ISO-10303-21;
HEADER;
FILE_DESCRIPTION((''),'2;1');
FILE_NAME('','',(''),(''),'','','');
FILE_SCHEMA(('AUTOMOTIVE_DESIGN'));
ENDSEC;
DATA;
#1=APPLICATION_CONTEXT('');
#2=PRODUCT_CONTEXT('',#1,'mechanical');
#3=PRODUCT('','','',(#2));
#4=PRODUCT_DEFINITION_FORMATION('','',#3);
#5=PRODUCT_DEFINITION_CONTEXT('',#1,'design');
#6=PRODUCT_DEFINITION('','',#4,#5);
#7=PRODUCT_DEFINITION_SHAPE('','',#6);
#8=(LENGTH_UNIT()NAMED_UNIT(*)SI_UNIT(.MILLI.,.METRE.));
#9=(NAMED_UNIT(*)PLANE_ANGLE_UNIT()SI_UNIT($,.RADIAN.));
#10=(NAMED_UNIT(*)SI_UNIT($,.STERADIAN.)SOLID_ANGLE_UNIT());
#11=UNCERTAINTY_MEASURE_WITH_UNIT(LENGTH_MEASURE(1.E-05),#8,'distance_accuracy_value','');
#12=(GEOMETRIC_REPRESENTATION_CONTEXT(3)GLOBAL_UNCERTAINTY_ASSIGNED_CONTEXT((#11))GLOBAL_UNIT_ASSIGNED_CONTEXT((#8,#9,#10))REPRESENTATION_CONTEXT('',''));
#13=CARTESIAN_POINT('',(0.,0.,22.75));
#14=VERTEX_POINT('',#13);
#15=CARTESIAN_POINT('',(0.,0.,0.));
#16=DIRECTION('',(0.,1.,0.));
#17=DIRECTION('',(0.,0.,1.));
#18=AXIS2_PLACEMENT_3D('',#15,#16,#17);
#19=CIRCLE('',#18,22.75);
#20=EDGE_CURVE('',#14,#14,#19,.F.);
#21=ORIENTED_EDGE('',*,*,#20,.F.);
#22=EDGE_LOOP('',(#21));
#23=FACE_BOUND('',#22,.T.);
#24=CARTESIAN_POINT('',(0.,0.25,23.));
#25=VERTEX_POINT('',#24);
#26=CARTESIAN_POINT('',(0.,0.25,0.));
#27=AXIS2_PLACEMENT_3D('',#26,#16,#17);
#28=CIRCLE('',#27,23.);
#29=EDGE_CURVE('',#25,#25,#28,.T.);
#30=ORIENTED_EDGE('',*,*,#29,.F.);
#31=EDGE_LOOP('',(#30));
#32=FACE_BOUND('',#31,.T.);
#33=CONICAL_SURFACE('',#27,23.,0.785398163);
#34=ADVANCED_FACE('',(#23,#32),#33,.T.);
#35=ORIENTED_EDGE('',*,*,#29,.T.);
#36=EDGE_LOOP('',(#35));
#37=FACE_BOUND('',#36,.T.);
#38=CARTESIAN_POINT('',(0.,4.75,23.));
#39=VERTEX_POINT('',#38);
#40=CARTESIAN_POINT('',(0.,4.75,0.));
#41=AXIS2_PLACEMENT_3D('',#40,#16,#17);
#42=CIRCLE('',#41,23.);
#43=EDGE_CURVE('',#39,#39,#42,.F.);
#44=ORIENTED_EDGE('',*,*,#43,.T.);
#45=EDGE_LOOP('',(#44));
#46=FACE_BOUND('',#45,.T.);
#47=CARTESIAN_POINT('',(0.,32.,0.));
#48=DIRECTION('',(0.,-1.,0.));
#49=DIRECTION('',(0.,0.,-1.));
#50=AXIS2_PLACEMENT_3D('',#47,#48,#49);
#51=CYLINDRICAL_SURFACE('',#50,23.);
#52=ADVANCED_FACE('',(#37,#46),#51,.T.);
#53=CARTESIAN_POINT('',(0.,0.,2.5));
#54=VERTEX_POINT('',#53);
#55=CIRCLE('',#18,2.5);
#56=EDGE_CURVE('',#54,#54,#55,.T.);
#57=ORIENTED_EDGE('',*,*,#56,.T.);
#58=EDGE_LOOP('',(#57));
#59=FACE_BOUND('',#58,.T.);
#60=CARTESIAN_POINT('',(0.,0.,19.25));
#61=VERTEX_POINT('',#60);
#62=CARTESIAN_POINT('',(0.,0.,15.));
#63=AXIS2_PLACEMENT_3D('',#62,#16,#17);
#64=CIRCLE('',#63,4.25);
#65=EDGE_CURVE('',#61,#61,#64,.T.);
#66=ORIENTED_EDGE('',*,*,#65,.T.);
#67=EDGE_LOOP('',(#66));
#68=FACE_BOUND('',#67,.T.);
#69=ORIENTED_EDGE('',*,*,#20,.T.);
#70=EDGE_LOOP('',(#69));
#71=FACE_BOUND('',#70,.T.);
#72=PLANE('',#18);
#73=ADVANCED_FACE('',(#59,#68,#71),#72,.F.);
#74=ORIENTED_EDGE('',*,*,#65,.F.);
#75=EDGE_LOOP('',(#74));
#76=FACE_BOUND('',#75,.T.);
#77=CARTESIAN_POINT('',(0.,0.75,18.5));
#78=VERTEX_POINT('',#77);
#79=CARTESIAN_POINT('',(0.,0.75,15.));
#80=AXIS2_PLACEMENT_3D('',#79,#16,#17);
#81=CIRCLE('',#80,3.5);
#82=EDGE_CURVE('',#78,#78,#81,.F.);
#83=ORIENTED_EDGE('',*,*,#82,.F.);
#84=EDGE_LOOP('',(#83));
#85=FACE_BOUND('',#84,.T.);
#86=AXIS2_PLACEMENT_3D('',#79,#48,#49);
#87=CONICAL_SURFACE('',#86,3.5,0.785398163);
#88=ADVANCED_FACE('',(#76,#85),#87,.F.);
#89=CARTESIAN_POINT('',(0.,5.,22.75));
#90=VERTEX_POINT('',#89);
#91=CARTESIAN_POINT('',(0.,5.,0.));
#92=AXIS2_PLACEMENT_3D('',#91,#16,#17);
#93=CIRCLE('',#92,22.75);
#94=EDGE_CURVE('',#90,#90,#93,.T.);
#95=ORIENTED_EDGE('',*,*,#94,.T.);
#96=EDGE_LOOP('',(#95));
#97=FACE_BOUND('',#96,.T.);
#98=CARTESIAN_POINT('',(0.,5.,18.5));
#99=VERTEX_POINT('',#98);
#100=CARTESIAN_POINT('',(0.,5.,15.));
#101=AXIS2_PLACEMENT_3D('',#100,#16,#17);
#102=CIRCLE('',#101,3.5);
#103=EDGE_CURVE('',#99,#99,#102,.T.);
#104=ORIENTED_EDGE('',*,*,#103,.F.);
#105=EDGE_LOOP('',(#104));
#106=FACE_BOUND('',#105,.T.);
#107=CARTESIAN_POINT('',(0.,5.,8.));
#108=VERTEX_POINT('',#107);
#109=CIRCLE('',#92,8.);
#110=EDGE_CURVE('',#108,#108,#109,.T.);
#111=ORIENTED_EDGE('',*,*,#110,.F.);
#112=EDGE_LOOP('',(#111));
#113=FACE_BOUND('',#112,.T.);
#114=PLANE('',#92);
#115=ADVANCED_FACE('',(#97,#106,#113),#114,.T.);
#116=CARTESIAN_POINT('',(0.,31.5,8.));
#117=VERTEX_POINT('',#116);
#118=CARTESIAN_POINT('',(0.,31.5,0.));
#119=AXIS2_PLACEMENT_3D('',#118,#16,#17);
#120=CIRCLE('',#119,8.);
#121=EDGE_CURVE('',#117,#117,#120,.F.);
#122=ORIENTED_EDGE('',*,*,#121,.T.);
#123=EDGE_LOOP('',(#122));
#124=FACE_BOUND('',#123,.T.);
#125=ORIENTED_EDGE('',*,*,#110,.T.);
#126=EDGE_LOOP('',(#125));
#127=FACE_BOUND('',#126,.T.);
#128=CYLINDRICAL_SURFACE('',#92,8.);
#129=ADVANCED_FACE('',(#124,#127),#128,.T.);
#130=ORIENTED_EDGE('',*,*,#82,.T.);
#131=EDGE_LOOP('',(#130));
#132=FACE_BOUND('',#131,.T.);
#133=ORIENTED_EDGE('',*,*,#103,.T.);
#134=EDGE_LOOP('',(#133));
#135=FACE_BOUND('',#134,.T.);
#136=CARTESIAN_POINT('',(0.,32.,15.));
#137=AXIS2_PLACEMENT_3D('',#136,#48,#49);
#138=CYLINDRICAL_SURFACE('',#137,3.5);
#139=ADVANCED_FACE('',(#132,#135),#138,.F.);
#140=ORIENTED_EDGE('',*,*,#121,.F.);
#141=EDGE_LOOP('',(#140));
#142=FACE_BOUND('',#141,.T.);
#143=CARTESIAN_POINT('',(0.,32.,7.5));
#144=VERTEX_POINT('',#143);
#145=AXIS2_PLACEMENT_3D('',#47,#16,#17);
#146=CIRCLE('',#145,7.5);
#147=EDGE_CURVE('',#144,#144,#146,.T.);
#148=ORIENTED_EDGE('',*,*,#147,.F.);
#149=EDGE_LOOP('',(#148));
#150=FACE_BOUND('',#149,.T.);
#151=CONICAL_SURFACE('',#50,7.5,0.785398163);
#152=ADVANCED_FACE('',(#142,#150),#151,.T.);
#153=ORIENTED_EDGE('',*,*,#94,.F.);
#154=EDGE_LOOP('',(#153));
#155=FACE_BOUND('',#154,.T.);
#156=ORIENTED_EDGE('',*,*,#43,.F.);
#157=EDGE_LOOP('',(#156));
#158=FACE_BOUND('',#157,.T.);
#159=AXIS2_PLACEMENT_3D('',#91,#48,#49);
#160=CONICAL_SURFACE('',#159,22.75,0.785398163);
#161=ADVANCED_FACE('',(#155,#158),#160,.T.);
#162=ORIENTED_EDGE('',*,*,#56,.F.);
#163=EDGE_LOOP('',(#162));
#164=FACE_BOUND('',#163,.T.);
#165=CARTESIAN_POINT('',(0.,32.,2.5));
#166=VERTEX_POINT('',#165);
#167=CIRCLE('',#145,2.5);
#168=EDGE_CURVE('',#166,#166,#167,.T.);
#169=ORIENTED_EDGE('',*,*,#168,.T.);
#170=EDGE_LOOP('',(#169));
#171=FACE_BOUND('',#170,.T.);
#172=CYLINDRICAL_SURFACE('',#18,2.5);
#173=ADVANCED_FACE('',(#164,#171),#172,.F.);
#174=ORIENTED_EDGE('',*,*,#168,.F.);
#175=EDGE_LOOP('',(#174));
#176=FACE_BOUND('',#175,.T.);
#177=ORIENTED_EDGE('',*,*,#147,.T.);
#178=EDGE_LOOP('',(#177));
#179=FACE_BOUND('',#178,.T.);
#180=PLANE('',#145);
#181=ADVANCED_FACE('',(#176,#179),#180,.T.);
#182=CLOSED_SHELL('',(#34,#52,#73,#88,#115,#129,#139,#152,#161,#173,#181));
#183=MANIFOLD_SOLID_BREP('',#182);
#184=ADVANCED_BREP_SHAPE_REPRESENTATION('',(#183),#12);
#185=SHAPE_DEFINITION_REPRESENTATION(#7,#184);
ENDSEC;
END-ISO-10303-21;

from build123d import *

# Parameters (mm, degrees)
SKETCH1_R           = 23
BOSS_EXTRUDE1_DEPTH = 32
SKETCH2_OUTSIDE_W   = 62.5
SKETCH2_OUTSIDE_H   = 62.5
SKETCH2_OUTSIDE_R   = 8
CUT_EXTRUDE1_DEPTH  = 27
SKETCH3_R           = 2.5
CUT_EXTRUDE2_DEPTH  = 46.628938186
CHAMFER1_SIZE       = 0.5
CHAMFER2_SIZE       = 0.25
SKETCH4_R           = 3.5
CUT_EXTRUDE3_DEPTH  = 46.628938186
CHAMFER3_SIZE       = 0.75


with BuildPart() as part:
    # Sketch1 → Boss-Extrude1 (new body)
    with BuildSketch(Plane(origin=(0, 0, 0), x_dir=(1, 0, 0), z_dir=(0, 1, 0))):
        with Locations(Location((0, 0, 0), (0, 0, 270))):
            Circle(SKETCH1_R)
    extrude(amount=BOSS_EXTRUDE1_DEPTH)

    # Sketch2 outside → Cut-Extrude1 (cut)
    with BuildSketch(Plane(origin=(0, 32, 0), x_dir=(1, 0, 0), z_dir=(0, 1, 0))):
        Rectangle(SKETCH2_OUTSIDE_W, SKETCH2_OUTSIDE_H)
        with Locations(Location((0, 0, 0), (0, 0, 270))):
            Circle(SKETCH2_OUTSIDE_R, mode=Mode.SUBTRACT)
    extrude(amount=-CUT_EXTRUDE1_DEPTH, mode=Mode.SUBTRACT)

    # Sketch3 → Cut-Extrude2 (cut, through all)
    with BuildSketch(Plane(origin=(0, 32, 0), x_dir=(1, 0, 0), z_dir=(0, 1, 0))):
        with Locations(Location((0, 0, 0), (0, 0, 270))):
            Circle(SKETCH3_R)
    extrude(amount=-CUT_EXTRUDE2_DEPTH, mode=Mode.SUBTRACT)

    # Chamfer1
    chamfer1_edges = [part.edges().sort_by_distance(p)[0] for p in [
        (0, 32, -8),
    ]]
    chamfer(chamfer1_edges, length=CHAMFER1_SIZE)

    # Chamfer2
    chamfer2_edges = [part.edges().sort_by_distance(p)[0] for p in [
        (0, 0, -23),
        (0, 5, -23),
    ]]
    chamfer(chamfer2_edges, length=CHAMFER2_SIZE)

    # Sketch4 → Cut-Extrude3 (cut, through all)
    with BuildSketch(Plane.XZ):
        with Locations(Location((0, 15, 0), (0, 0, 270))):
            Circle(SKETCH4_R)
    extrude(amount=-CUT_EXTRUDE3_DEPTH, mode=Mode.SUBTRACT)

    # Chamfer3
    chamfer3_edges = [part.edges().sort_by_distance(p)[0] for p in [
        (0, 0, 18.5),
    ]]
    chamfer(chamfer3_edges, length=CHAMFER3_SIZE)


solid = part.part
